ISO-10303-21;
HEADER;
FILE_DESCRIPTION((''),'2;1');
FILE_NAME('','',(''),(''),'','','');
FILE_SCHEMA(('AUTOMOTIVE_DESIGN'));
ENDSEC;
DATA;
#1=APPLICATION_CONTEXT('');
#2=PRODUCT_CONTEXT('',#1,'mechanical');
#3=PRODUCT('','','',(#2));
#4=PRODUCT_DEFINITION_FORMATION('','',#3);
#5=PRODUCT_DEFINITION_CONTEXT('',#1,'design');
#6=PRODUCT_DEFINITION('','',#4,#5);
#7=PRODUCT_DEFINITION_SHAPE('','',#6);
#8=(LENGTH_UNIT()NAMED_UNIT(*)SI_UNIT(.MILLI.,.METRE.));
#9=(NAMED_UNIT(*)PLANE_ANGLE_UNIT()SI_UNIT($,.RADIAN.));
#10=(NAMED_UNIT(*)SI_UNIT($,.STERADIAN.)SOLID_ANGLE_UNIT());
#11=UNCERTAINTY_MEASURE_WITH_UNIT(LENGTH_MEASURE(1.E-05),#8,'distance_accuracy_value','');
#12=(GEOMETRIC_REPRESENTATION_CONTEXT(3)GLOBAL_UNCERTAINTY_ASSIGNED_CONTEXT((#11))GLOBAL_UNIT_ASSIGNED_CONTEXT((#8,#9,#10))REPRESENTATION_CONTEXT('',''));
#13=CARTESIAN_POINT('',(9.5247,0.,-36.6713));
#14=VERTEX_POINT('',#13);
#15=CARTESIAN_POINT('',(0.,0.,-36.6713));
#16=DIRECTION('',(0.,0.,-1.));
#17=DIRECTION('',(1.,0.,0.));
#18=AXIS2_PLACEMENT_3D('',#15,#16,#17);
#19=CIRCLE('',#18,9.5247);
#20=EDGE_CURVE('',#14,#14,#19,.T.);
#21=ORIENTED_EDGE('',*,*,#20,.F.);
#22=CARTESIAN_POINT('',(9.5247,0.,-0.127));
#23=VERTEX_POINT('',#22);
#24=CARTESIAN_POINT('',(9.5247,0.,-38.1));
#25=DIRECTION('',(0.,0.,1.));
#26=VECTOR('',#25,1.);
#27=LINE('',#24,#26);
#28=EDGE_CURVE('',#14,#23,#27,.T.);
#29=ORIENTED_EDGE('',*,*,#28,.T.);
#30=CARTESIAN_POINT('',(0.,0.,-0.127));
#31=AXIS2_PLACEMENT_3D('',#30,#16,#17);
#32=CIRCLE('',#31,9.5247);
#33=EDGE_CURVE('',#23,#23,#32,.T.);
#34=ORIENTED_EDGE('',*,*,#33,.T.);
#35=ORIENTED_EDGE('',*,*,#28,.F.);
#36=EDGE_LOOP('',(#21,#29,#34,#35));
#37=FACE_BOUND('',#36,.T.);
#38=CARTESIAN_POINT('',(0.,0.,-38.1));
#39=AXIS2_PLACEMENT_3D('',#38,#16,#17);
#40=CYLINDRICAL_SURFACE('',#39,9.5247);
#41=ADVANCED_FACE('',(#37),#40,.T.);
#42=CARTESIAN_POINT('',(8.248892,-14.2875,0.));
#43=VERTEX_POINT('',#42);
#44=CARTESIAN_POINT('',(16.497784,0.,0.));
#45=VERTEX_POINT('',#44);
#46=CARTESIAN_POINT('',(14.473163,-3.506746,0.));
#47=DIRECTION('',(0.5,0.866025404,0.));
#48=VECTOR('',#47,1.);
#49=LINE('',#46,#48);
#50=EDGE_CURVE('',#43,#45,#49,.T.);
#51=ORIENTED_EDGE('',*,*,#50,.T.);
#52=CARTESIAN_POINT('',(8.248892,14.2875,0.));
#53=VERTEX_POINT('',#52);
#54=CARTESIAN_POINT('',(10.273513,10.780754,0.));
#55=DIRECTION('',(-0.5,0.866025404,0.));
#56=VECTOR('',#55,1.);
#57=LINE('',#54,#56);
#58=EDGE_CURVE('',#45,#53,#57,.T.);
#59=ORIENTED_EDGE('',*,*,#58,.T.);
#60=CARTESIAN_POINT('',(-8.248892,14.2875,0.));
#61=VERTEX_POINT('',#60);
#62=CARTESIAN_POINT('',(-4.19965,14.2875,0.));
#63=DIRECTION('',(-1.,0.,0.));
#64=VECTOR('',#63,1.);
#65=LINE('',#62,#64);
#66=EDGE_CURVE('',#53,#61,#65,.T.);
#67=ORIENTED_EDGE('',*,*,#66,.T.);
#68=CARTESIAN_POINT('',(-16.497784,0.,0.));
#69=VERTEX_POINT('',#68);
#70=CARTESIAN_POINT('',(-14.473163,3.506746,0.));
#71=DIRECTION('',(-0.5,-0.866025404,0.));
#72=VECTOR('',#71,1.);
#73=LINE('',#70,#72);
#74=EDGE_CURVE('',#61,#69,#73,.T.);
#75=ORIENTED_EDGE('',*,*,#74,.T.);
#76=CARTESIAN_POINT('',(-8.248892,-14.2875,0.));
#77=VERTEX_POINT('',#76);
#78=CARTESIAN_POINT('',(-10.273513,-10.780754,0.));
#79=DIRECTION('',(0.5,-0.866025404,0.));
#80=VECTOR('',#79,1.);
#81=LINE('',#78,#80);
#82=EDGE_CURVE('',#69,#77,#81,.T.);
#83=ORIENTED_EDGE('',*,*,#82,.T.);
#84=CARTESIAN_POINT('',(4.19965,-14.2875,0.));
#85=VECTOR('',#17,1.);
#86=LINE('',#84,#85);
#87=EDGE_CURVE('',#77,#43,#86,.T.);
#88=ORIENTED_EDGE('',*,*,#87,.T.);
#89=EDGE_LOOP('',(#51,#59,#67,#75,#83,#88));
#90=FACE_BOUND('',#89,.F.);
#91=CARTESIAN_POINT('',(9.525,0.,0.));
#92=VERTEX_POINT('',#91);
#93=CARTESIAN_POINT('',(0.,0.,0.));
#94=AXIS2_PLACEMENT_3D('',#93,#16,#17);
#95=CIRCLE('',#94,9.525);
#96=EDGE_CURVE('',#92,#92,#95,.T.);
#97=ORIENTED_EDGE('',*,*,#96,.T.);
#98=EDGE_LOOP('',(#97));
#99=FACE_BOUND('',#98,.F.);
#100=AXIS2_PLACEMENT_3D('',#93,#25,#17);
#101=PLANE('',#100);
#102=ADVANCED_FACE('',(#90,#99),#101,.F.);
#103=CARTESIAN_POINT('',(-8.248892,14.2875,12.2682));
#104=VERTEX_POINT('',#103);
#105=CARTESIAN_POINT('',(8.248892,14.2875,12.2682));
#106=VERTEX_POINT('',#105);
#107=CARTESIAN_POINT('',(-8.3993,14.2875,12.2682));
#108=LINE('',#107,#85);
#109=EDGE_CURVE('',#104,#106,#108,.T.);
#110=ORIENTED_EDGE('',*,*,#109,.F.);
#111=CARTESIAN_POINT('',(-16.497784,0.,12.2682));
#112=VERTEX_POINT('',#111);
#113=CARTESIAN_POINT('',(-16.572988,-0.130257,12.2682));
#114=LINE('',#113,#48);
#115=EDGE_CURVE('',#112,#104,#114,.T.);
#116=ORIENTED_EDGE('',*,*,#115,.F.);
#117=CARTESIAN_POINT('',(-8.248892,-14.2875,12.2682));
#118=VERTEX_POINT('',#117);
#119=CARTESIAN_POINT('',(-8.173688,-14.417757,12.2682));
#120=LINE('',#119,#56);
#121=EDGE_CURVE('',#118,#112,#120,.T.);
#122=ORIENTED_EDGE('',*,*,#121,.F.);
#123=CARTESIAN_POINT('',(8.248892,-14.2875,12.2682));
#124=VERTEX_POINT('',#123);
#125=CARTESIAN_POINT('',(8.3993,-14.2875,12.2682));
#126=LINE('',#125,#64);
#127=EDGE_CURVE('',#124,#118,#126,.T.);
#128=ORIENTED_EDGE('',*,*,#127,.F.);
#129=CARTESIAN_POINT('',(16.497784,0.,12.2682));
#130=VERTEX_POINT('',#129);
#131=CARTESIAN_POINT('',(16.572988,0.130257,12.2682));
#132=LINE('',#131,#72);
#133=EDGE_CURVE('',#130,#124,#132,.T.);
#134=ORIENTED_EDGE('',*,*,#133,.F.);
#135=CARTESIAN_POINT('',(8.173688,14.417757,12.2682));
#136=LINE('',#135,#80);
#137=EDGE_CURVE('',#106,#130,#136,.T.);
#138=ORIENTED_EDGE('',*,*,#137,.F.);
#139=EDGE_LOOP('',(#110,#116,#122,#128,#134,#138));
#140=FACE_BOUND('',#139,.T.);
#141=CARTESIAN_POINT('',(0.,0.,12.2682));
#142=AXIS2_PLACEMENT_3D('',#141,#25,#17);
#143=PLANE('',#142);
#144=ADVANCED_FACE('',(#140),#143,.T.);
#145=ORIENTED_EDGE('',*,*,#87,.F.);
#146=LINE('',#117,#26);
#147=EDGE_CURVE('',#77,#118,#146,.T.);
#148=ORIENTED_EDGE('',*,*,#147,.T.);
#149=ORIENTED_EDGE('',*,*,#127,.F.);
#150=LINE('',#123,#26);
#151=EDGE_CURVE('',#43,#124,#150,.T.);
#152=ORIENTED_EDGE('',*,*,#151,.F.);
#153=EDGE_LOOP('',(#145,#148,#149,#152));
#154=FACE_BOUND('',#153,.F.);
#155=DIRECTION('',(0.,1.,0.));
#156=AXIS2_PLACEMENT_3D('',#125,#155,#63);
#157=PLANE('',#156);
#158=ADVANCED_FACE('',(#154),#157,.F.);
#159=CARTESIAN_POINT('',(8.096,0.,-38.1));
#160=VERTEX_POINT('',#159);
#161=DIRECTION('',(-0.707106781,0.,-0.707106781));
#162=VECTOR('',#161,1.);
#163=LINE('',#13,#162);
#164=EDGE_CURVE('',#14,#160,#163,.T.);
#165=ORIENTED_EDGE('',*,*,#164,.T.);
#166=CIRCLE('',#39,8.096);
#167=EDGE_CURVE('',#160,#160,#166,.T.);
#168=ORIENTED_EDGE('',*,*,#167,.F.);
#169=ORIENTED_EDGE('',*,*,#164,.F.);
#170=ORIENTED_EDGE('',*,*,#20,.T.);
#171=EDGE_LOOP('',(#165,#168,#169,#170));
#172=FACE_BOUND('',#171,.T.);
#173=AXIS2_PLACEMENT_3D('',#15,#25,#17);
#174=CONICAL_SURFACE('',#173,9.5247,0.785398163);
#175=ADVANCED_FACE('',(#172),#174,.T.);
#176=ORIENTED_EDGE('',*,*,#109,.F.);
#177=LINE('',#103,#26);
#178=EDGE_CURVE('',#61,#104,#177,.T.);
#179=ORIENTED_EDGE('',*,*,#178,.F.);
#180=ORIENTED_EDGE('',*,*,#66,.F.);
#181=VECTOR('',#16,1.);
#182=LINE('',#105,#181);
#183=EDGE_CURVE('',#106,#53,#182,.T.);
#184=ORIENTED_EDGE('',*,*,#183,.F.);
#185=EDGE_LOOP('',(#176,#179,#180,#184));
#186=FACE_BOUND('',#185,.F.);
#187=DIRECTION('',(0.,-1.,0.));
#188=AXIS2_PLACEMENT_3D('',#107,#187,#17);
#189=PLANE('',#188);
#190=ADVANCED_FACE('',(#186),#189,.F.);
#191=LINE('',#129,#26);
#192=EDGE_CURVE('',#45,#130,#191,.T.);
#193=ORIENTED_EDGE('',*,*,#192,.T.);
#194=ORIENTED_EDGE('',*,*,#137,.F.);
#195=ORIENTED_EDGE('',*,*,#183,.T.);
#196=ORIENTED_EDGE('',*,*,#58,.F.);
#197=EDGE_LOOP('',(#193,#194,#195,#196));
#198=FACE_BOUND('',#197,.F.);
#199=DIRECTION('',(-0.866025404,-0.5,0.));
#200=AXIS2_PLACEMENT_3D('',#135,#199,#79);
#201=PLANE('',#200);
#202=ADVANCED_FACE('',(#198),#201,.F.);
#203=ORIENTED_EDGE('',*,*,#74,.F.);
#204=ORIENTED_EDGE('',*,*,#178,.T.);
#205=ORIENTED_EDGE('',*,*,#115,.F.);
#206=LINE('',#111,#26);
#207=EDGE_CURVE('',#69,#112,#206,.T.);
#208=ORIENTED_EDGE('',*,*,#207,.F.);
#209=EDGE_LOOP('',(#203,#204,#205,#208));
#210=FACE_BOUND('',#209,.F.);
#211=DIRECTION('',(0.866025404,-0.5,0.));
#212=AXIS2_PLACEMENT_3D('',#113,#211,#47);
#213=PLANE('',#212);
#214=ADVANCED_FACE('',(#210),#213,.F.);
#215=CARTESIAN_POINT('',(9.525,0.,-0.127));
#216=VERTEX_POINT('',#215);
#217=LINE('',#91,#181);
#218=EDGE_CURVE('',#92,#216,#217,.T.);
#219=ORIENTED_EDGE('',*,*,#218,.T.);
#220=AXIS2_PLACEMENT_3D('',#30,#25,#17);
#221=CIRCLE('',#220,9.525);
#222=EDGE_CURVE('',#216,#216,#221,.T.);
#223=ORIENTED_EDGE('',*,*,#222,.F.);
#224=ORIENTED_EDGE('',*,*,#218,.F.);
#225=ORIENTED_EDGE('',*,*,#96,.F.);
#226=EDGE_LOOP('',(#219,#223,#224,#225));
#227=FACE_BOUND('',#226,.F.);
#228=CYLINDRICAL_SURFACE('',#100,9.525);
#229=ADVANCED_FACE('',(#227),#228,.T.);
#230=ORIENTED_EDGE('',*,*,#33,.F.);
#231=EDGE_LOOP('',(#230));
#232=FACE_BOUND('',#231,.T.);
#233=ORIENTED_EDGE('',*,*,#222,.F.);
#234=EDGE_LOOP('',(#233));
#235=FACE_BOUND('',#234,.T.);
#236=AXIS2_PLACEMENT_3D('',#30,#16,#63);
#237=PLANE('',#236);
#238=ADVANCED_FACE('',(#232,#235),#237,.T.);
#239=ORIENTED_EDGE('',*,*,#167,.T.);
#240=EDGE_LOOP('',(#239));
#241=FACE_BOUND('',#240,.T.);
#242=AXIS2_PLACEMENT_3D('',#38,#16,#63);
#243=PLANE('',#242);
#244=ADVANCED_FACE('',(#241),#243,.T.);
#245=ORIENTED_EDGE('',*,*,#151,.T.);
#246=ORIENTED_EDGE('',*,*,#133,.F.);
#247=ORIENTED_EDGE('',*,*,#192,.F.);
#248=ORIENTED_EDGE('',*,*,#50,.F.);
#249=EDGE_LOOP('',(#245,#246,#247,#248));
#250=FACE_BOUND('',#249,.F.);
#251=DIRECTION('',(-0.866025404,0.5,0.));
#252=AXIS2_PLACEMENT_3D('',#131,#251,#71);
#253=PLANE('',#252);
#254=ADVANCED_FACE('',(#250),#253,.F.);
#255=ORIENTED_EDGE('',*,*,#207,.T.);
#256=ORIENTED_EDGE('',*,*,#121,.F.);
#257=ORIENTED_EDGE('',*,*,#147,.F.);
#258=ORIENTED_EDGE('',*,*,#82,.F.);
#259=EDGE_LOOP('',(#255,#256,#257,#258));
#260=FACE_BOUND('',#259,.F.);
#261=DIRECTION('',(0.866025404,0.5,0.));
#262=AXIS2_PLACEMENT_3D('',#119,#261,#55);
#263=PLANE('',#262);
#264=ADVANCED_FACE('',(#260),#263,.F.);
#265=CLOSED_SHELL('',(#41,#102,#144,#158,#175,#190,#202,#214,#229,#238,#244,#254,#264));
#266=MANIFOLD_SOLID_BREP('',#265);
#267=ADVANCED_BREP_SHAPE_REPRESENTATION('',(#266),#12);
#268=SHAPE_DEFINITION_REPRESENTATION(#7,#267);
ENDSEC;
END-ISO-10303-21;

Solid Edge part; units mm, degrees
sketch "Sketch1" plane through (0, 0, 0) normal (0, 0, 1) x (1, 0, 0)
  circle A0 centre (0, 0) radius 16.5735
  dimension "D1" = 33.147
extrude "Protrusion1" add sketch "Sketch1" along normal blind 12.2682
sketch "Sketch2" plane through (0, 0, 0) normal (0, 0, -1) x (1, 0, 0)
  circle A0 centre (0, 0) radius 9.525
extrude "Protrusion2" add sketch "Sketch2" along normal blind 38.1
sketch "Sketch3" plane through (0, 0, -38.1) normal (0, 0, -1) x (1, 0, 0)
  circle A0 centre (0, 0) radius 9.5247
extrude "Cutout1" cut sketch "Sketch3" against normal blind 37.973 flip side to cut
chamfer "Chamfer_1" distance 1.4287 angle 45 1 edges at (-9.5247, 0, -38.1)
sketch "Sketch4" plane through (0, 0, 12.2682) normal (0, 0, 1) x (1, 0, 0)
  line L0 (-8.3993, 14.2875) -> (8.3993, 14.2875)
  dimension "D1" = 28.575
extrude "Cutout2" cut sketch "Sketch4" against normal up to next material side at (0, 14.3375, 12.2682)
pattern_circular "Pattern1" count 6 over 360 about axis through (0, 0, 12.2682) along (0, 0, 1) of "Cutout2"
properties part number "182235"
